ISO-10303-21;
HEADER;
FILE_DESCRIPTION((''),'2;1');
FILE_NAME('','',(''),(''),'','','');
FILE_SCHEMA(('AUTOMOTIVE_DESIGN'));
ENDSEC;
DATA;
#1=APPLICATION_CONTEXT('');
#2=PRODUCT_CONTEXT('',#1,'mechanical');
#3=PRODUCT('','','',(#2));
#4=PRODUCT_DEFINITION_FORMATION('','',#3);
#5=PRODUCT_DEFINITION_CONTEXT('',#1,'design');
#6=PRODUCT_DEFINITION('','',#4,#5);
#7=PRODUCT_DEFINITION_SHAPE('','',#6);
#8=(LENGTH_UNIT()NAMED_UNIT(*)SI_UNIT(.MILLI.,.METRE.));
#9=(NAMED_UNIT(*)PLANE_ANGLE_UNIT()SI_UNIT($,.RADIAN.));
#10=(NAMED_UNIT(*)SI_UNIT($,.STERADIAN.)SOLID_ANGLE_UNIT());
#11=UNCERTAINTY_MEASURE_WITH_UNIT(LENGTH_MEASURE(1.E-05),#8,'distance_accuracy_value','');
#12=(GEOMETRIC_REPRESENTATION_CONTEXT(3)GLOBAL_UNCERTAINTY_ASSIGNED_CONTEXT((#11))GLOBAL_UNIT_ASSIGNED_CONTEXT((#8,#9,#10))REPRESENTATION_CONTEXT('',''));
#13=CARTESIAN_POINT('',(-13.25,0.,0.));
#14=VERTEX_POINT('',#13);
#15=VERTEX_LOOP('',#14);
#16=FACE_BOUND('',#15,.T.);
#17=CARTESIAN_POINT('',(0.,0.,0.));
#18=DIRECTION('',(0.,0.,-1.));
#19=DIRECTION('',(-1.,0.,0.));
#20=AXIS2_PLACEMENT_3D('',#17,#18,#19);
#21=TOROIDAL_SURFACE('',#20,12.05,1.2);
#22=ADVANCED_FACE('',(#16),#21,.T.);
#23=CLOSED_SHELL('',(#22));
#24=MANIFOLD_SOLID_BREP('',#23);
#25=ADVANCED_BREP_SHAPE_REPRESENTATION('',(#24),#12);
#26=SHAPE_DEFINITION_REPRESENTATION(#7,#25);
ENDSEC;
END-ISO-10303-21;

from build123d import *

# Parameters (mm, degrees)
SKETCH2_R = 1.2


with BuildPart() as part:
    # Sweep1: sweep along a path in Sketch1
    with BuildLine(Plane.XY) as sweep1_path:
        CenterArc((0, 0), 10.85, 0, 360)
    # Sketch2 → Sweep1 (sweep)
    with BuildSketch(Plane(origin=(0, 0, 0), x_dir=(1, 0, 0), z_dir=(0, 1, 0))):
        with Locations((-12.05, 0)):
            Circle(SKETCH2_R)
    sweep(path=sweep1_path.line)


solid = part.part
